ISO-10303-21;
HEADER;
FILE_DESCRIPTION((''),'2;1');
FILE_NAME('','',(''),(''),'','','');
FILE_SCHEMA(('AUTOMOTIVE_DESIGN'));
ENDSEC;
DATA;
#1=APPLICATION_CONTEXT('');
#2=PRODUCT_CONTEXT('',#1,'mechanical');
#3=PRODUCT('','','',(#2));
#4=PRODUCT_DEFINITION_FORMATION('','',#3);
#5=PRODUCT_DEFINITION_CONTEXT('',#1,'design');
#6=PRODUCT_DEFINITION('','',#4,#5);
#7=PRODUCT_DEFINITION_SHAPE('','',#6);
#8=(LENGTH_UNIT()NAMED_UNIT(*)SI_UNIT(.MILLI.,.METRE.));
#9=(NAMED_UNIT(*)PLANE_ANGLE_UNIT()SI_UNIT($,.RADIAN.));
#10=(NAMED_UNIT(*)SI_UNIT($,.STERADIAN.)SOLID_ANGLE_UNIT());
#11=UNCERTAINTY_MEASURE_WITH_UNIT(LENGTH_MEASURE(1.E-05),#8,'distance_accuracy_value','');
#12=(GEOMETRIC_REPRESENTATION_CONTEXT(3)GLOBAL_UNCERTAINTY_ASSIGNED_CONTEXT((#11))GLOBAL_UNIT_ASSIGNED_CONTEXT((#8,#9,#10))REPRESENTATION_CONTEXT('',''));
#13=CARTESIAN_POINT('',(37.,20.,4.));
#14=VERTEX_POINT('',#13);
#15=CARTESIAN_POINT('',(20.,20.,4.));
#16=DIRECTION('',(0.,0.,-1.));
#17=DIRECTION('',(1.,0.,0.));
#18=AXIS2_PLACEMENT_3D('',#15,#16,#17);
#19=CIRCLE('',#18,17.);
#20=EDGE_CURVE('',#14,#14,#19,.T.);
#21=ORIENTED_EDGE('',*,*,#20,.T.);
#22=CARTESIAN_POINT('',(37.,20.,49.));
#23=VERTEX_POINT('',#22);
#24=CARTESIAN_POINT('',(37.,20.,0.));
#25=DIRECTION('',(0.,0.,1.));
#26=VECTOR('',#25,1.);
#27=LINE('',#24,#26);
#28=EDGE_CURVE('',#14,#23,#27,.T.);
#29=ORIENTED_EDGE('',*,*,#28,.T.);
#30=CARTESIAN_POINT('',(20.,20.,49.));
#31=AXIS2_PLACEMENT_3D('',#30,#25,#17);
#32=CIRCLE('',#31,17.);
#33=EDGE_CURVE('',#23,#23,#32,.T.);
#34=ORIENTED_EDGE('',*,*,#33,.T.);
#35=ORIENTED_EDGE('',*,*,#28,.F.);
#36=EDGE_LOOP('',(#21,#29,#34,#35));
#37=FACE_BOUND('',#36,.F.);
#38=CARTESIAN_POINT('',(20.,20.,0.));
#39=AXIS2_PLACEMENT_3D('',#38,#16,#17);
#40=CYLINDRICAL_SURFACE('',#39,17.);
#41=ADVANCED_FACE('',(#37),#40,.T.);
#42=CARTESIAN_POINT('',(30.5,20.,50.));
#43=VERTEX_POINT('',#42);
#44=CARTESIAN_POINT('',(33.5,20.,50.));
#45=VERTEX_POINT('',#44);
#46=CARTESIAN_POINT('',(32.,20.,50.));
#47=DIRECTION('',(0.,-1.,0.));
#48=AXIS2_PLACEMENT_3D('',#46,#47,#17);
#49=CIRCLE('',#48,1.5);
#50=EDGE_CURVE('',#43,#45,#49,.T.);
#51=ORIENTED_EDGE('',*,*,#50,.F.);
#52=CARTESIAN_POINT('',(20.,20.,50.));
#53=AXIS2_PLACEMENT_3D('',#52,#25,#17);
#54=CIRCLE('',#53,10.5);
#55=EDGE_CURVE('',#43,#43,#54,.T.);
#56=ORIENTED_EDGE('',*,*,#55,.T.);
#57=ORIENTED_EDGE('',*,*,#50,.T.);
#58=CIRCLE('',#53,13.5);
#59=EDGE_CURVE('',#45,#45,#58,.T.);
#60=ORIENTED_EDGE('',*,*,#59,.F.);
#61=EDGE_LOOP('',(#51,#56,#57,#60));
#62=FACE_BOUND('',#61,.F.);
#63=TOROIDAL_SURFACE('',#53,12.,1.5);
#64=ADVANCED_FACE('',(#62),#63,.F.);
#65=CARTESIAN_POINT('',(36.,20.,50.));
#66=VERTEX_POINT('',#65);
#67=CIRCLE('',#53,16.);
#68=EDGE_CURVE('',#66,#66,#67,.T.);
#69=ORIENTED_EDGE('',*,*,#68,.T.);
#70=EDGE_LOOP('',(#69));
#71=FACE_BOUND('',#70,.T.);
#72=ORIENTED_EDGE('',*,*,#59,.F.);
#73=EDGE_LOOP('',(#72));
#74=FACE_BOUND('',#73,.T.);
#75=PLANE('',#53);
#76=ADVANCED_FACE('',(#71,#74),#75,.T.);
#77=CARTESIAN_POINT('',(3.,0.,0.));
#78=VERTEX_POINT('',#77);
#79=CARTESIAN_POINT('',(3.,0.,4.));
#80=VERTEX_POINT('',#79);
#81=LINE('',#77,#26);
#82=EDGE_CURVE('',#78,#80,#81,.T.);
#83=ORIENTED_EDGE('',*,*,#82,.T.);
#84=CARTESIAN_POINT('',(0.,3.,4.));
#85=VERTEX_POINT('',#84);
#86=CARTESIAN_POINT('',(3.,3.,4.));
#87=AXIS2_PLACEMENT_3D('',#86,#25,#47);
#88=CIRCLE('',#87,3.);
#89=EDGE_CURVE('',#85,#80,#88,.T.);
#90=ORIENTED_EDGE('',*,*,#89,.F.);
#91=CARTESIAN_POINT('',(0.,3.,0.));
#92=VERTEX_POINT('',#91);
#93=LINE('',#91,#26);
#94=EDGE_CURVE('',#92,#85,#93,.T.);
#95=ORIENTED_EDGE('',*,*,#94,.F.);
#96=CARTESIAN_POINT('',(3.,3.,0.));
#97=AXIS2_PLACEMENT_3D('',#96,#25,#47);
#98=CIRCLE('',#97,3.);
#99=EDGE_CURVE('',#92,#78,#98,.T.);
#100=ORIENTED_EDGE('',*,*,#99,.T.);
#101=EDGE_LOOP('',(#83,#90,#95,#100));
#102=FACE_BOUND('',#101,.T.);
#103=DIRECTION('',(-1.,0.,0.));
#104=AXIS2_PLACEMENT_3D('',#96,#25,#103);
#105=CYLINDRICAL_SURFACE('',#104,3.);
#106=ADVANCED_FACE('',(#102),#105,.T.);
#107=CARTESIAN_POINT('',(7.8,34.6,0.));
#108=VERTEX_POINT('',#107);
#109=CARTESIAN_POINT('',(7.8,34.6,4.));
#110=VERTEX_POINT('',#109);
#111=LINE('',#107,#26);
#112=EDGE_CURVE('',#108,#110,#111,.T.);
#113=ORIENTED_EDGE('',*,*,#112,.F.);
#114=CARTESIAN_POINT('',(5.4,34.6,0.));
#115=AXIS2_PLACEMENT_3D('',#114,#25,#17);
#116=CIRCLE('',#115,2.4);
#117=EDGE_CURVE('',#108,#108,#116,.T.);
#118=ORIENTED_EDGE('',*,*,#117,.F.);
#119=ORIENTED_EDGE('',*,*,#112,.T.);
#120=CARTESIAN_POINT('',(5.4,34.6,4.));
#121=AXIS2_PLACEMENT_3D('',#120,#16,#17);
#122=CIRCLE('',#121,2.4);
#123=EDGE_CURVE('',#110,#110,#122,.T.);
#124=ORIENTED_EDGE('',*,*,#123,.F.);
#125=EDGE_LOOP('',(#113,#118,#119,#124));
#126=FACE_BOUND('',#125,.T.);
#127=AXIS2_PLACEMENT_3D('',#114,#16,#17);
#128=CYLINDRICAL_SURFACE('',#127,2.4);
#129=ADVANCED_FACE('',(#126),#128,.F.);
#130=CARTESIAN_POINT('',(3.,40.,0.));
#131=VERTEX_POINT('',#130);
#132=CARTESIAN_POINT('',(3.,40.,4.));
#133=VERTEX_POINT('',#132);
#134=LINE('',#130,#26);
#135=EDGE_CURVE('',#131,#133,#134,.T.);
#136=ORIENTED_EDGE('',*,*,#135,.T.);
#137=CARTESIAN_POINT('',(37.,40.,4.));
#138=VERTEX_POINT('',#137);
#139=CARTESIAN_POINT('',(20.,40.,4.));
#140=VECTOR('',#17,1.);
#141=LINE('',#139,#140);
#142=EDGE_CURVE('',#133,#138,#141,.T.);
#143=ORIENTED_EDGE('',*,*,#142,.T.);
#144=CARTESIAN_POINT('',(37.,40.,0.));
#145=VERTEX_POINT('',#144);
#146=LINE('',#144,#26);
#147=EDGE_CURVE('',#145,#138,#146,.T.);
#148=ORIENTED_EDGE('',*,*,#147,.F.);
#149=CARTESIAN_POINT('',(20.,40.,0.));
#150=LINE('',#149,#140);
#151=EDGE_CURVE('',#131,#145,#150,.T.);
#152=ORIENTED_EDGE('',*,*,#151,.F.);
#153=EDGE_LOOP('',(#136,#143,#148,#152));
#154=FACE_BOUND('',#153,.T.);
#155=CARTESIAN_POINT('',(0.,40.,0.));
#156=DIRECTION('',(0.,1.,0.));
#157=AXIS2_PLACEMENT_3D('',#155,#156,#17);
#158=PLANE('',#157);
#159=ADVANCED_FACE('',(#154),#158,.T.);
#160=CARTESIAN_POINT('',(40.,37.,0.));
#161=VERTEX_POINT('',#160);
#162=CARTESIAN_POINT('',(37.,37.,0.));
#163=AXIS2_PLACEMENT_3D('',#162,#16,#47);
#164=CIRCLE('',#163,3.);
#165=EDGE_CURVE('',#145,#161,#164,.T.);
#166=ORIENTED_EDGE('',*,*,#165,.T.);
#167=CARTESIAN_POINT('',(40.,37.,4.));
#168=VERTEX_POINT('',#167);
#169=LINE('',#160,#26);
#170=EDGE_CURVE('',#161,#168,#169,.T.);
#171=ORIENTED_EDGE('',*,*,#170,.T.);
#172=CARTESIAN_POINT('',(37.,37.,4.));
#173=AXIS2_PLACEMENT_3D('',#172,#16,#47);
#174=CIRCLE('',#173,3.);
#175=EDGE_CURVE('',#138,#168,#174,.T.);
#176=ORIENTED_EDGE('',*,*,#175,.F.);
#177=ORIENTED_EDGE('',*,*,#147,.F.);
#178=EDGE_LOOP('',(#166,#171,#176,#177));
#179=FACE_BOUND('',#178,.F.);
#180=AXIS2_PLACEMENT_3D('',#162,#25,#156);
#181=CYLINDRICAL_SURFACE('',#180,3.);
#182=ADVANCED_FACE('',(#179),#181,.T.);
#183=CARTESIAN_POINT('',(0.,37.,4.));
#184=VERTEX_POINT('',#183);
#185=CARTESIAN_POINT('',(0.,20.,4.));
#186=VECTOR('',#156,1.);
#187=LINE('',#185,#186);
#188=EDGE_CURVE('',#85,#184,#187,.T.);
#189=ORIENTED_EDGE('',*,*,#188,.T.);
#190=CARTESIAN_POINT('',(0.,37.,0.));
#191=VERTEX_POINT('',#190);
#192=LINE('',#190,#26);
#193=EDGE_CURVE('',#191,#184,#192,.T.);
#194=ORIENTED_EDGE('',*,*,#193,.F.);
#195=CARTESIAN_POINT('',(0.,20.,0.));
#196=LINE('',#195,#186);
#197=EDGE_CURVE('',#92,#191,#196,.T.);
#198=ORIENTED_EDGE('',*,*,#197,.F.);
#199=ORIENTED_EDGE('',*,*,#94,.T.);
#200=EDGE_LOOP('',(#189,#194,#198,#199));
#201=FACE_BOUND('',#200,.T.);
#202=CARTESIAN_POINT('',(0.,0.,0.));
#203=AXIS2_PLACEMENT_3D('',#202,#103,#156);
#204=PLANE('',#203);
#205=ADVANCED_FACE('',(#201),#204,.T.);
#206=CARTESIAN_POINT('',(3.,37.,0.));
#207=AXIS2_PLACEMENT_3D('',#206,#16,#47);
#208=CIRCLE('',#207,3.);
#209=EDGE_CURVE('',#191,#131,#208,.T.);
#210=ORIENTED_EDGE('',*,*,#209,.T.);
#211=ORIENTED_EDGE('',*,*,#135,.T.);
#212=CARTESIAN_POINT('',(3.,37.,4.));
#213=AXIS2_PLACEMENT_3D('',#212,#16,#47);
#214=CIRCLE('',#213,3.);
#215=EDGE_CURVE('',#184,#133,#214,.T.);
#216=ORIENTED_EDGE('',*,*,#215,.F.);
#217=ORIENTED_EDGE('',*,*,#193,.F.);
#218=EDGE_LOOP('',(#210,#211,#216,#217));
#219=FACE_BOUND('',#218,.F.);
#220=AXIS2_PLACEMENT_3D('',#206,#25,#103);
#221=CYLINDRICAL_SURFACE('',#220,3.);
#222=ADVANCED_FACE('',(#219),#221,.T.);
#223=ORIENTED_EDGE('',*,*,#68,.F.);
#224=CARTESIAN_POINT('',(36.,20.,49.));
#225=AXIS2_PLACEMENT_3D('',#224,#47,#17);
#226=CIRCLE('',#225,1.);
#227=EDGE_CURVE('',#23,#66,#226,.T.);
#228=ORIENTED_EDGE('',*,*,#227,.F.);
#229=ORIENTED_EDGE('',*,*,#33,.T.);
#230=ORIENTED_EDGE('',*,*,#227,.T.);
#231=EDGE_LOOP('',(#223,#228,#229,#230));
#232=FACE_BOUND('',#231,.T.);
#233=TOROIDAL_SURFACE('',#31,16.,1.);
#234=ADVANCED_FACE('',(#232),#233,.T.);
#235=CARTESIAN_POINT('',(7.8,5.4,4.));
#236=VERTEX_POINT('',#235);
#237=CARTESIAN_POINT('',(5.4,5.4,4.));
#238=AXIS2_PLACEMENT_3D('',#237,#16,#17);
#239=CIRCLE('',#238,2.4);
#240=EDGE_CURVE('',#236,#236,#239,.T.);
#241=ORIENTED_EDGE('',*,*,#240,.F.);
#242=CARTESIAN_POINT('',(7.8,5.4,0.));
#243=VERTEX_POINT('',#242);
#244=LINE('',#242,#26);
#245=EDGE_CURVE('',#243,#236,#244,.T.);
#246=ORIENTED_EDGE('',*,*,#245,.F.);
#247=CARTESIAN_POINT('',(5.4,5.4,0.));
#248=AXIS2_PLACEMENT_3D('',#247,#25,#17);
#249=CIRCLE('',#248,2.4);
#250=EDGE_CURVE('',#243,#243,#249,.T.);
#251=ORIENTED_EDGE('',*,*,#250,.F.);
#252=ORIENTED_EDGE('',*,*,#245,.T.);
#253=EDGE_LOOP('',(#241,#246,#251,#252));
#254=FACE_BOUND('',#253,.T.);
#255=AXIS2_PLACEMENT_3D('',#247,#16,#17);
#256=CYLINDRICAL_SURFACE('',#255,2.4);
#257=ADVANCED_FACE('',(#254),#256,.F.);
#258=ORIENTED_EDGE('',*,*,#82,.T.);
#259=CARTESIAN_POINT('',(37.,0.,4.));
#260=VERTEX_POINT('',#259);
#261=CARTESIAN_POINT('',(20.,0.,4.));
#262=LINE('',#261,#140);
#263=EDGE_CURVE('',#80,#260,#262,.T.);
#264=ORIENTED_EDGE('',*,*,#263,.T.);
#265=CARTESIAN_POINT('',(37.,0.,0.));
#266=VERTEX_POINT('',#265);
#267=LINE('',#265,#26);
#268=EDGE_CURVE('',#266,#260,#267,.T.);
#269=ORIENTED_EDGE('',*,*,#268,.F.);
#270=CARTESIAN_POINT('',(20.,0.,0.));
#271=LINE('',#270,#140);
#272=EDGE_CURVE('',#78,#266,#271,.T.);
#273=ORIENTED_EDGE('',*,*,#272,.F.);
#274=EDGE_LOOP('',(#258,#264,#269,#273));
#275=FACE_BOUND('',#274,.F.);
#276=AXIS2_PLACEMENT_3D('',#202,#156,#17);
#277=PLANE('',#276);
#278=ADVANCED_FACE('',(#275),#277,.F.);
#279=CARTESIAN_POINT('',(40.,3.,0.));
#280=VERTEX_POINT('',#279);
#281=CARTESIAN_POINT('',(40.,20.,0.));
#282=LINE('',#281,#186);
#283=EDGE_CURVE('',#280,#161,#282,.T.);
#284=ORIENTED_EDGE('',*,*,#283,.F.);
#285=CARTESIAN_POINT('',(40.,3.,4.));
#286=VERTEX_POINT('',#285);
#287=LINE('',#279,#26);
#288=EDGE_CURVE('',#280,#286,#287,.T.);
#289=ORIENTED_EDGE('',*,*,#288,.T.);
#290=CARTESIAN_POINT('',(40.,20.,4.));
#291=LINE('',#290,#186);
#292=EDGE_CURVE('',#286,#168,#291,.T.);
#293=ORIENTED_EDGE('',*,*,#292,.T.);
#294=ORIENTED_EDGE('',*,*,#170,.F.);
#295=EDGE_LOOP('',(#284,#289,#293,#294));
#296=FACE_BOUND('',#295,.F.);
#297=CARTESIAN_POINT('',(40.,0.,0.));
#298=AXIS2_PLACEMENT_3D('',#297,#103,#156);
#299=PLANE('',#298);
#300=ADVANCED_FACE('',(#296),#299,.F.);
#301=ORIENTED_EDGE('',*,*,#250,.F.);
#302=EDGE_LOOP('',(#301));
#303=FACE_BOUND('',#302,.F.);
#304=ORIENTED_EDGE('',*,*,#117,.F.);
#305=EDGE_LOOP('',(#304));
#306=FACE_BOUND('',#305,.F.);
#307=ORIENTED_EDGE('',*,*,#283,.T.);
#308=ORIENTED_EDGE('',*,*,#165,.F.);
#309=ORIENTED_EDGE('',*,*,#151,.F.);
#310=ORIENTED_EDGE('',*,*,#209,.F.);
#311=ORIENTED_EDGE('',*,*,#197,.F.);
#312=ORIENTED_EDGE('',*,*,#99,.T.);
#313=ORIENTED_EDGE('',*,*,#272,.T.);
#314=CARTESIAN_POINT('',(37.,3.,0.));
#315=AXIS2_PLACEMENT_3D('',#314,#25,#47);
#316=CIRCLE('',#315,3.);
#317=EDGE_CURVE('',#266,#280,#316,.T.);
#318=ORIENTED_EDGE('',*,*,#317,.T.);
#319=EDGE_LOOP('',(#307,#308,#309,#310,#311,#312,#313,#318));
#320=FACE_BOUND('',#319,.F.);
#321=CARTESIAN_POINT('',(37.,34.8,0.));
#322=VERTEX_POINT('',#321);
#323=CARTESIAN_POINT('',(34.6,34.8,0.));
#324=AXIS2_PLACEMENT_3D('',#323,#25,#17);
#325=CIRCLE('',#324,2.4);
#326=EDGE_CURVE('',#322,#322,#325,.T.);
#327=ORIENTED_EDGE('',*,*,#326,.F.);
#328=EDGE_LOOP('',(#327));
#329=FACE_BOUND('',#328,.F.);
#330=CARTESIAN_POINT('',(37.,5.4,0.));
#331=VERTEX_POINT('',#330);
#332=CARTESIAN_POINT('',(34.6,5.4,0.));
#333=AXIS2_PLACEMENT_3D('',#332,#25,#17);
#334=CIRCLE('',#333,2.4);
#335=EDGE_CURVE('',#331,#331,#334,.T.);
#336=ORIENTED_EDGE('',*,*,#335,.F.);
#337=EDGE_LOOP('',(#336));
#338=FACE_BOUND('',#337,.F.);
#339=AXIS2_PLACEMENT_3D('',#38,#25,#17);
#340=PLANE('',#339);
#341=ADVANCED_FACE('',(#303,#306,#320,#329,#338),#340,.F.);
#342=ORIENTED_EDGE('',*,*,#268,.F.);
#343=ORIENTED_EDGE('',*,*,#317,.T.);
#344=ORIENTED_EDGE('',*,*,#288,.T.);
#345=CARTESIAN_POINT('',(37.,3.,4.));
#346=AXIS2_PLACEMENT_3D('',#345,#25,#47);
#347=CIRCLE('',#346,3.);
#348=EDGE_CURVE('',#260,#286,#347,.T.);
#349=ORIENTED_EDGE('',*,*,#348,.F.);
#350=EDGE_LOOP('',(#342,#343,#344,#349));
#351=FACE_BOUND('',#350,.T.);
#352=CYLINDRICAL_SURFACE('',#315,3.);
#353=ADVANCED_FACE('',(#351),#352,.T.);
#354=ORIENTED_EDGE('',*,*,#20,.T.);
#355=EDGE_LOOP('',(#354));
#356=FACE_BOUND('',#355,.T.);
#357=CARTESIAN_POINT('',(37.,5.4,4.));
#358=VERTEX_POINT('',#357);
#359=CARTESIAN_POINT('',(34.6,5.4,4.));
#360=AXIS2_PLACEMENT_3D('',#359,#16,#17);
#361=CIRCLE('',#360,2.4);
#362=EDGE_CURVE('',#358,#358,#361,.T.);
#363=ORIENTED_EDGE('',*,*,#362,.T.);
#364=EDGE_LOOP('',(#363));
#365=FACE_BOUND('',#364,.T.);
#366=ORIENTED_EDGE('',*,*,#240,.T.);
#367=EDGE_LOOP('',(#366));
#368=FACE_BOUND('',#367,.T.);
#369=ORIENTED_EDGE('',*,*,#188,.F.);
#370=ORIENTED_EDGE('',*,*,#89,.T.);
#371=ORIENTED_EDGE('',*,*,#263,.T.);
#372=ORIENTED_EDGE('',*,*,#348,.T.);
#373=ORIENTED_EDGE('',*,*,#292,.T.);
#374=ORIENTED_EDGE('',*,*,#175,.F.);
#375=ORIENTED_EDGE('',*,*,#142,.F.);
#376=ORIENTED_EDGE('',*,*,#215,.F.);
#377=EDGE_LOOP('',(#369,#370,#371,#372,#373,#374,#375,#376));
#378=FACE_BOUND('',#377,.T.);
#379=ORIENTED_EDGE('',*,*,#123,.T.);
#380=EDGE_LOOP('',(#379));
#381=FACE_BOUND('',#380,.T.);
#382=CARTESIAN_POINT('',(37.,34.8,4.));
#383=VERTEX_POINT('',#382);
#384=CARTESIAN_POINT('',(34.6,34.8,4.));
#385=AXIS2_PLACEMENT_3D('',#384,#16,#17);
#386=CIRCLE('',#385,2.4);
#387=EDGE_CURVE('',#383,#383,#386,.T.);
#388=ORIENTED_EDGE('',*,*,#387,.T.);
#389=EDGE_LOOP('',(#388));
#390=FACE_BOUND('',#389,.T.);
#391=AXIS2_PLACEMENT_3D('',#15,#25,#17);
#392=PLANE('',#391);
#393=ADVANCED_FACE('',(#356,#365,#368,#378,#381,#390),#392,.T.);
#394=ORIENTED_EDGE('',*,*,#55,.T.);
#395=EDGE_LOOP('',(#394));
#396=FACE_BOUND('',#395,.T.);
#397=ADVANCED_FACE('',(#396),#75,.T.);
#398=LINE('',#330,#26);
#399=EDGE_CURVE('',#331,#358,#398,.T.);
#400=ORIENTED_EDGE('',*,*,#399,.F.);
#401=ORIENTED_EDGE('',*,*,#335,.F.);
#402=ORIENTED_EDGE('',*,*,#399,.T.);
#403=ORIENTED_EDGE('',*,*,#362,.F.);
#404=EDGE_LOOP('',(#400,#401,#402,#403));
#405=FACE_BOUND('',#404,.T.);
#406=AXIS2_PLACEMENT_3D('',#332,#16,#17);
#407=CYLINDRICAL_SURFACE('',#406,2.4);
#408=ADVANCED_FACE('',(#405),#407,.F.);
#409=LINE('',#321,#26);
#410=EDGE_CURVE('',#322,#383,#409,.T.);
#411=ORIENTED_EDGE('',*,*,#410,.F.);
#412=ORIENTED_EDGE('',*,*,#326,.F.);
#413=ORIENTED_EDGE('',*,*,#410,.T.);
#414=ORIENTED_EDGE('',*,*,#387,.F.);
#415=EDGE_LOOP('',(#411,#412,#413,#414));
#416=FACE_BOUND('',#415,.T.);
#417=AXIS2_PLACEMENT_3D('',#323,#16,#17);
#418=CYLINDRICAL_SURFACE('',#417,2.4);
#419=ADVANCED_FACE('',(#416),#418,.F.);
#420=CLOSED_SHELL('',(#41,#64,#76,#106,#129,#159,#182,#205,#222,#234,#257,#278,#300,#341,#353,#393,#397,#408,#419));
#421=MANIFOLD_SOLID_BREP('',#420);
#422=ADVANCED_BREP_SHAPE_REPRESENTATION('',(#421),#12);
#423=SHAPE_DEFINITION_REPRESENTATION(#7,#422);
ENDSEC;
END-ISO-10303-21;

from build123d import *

# Parameters (mm, degrees)
TORUS_R           = 1.5
CYLINDER004_R     = 17
CYLINDER004_DEPTH = 50
FILLET001_R       = 1
CYLINDER002_R     = 2.4
CYLINDER002_DEPTH = 10
CYLINDER001_R     = 2.4
CYLINDER001_DEPTH = 10
CYLINDER_R        = 2.4
CYLINDER_DEPTH    = 10
CYLINDER003_R     = 2.4
CYLINDER003_DEPTH = 10
BOX_W             = 40
BOX_H             = 40
BOX_DEPTH         = 4
FILLET_R          = 3


with BuildPart() as torus:
    # Torus → Torus (revolve)
    with BuildSketch(Plane(origin=(20, 20, 50), x_dir=(1, 0, 0), z_dir=(0, -1, 0))):
        with Locations((12, 0)):
            Circle(TORUS_R)
    revolve(axis=Axis((20, 20, 50), (0, 0, 1)))


with BuildPart() as fillet001:
    # Cylinder004 → Cylinder004 (new body)
    with BuildSketch(Plane(origin=(20, 20, 0), x_dir=(1, 0, 0), z_dir=(0, 0, 1))):
        Circle(CYLINDER004_R)
    extrude(amount=CYLINDER004_DEPTH)

    # Fillet001
    fillet001_edges = [fillet001.edges().sort_by_distance(p)[0] for p in [
        (3, 20, 50),
    ]]
    fillet(fillet001_edges, radius=FILLET001_R)


with BuildPart() as cilindre002:
    # Cylinder002 → Cylinder002 (new body)
    with BuildSketch(Plane(origin=(5.4, 5.4, 0), x_dir=(1, 0, 0), z_dir=(0, 0, 1))):
        Circle(CYLINDER002_R)
    extrude(amount=CYLINDER002_DEPTH)


with BuildPart() as cilindre001:
    # Cylinder001 → Cylinder001 (new body)
    with BuildSketch(Plane(origin=(5.4, 34.6, 0), x_dir=(1, 0, 0), z_dir=(0, 0, 1))):
        Circle(CYLINDER001_R)
    extrude(amount=CYLINDER001_DEPTH)


with BuildPart() as fusion:
    # Cylinder → Cylinder (new body)
    with BuildSketch(Plane(origin=(34.6, 34.8, 0), x_dir=(1, 0, 0), z_dir=(0, 0, 1))):
        Circle(CYLINDER_R)
    extrude(amount=CYLINDER_DEPTH)

    # Fusion: union Cilindre001
    add(cilindre001.part)


with BuildPart() as fusion001:
    # Cylinder003 → Cylinder003 (new body)
    with BuildSketch(Plane(origin=(34.6, 5.4, 0), x_dir=(1, 0, 0), z_dir=(0, 0, 1))):
        Circle(CYLINDER003_R)
    extrude(amount=CYLINDER003_DEPTH)

    # Fusion001: union Fusion
    add(fusion.part)


with BuildPart() as cut002:
    # Box → Box (new body)
    with BuildSketch(Plane.XY):
        with Locations((20, 20)):
            Rectangle(BOX_W, BOX_H)
    extrude(amount=BOX_DEPTH)

    # Cut: cut Fusion001
    add(fusion001.part, mode=Mode.SUBTRACT)

    # Cut001: cut Cilindre002
    add(cilindre002.part, mode=Mode.SUBTRACT)

    # Fillet
    fillet_edges = [cut002.edges().sort_by_distance(p)[0] for p in [
        (0, 0, 2),
        (0, 40, 2),
        (40, 0, 2),
        (40, 40, 2),
    ]]
    fillet(fillet_edges, radius=FILLET_R)

    # Fusion002: union Fillet001
    add(fillet001.part)

    # Cut002: cut Torus
    add(torus.part, mode=Mode.SUBTRACT)


solid = cut002.part
